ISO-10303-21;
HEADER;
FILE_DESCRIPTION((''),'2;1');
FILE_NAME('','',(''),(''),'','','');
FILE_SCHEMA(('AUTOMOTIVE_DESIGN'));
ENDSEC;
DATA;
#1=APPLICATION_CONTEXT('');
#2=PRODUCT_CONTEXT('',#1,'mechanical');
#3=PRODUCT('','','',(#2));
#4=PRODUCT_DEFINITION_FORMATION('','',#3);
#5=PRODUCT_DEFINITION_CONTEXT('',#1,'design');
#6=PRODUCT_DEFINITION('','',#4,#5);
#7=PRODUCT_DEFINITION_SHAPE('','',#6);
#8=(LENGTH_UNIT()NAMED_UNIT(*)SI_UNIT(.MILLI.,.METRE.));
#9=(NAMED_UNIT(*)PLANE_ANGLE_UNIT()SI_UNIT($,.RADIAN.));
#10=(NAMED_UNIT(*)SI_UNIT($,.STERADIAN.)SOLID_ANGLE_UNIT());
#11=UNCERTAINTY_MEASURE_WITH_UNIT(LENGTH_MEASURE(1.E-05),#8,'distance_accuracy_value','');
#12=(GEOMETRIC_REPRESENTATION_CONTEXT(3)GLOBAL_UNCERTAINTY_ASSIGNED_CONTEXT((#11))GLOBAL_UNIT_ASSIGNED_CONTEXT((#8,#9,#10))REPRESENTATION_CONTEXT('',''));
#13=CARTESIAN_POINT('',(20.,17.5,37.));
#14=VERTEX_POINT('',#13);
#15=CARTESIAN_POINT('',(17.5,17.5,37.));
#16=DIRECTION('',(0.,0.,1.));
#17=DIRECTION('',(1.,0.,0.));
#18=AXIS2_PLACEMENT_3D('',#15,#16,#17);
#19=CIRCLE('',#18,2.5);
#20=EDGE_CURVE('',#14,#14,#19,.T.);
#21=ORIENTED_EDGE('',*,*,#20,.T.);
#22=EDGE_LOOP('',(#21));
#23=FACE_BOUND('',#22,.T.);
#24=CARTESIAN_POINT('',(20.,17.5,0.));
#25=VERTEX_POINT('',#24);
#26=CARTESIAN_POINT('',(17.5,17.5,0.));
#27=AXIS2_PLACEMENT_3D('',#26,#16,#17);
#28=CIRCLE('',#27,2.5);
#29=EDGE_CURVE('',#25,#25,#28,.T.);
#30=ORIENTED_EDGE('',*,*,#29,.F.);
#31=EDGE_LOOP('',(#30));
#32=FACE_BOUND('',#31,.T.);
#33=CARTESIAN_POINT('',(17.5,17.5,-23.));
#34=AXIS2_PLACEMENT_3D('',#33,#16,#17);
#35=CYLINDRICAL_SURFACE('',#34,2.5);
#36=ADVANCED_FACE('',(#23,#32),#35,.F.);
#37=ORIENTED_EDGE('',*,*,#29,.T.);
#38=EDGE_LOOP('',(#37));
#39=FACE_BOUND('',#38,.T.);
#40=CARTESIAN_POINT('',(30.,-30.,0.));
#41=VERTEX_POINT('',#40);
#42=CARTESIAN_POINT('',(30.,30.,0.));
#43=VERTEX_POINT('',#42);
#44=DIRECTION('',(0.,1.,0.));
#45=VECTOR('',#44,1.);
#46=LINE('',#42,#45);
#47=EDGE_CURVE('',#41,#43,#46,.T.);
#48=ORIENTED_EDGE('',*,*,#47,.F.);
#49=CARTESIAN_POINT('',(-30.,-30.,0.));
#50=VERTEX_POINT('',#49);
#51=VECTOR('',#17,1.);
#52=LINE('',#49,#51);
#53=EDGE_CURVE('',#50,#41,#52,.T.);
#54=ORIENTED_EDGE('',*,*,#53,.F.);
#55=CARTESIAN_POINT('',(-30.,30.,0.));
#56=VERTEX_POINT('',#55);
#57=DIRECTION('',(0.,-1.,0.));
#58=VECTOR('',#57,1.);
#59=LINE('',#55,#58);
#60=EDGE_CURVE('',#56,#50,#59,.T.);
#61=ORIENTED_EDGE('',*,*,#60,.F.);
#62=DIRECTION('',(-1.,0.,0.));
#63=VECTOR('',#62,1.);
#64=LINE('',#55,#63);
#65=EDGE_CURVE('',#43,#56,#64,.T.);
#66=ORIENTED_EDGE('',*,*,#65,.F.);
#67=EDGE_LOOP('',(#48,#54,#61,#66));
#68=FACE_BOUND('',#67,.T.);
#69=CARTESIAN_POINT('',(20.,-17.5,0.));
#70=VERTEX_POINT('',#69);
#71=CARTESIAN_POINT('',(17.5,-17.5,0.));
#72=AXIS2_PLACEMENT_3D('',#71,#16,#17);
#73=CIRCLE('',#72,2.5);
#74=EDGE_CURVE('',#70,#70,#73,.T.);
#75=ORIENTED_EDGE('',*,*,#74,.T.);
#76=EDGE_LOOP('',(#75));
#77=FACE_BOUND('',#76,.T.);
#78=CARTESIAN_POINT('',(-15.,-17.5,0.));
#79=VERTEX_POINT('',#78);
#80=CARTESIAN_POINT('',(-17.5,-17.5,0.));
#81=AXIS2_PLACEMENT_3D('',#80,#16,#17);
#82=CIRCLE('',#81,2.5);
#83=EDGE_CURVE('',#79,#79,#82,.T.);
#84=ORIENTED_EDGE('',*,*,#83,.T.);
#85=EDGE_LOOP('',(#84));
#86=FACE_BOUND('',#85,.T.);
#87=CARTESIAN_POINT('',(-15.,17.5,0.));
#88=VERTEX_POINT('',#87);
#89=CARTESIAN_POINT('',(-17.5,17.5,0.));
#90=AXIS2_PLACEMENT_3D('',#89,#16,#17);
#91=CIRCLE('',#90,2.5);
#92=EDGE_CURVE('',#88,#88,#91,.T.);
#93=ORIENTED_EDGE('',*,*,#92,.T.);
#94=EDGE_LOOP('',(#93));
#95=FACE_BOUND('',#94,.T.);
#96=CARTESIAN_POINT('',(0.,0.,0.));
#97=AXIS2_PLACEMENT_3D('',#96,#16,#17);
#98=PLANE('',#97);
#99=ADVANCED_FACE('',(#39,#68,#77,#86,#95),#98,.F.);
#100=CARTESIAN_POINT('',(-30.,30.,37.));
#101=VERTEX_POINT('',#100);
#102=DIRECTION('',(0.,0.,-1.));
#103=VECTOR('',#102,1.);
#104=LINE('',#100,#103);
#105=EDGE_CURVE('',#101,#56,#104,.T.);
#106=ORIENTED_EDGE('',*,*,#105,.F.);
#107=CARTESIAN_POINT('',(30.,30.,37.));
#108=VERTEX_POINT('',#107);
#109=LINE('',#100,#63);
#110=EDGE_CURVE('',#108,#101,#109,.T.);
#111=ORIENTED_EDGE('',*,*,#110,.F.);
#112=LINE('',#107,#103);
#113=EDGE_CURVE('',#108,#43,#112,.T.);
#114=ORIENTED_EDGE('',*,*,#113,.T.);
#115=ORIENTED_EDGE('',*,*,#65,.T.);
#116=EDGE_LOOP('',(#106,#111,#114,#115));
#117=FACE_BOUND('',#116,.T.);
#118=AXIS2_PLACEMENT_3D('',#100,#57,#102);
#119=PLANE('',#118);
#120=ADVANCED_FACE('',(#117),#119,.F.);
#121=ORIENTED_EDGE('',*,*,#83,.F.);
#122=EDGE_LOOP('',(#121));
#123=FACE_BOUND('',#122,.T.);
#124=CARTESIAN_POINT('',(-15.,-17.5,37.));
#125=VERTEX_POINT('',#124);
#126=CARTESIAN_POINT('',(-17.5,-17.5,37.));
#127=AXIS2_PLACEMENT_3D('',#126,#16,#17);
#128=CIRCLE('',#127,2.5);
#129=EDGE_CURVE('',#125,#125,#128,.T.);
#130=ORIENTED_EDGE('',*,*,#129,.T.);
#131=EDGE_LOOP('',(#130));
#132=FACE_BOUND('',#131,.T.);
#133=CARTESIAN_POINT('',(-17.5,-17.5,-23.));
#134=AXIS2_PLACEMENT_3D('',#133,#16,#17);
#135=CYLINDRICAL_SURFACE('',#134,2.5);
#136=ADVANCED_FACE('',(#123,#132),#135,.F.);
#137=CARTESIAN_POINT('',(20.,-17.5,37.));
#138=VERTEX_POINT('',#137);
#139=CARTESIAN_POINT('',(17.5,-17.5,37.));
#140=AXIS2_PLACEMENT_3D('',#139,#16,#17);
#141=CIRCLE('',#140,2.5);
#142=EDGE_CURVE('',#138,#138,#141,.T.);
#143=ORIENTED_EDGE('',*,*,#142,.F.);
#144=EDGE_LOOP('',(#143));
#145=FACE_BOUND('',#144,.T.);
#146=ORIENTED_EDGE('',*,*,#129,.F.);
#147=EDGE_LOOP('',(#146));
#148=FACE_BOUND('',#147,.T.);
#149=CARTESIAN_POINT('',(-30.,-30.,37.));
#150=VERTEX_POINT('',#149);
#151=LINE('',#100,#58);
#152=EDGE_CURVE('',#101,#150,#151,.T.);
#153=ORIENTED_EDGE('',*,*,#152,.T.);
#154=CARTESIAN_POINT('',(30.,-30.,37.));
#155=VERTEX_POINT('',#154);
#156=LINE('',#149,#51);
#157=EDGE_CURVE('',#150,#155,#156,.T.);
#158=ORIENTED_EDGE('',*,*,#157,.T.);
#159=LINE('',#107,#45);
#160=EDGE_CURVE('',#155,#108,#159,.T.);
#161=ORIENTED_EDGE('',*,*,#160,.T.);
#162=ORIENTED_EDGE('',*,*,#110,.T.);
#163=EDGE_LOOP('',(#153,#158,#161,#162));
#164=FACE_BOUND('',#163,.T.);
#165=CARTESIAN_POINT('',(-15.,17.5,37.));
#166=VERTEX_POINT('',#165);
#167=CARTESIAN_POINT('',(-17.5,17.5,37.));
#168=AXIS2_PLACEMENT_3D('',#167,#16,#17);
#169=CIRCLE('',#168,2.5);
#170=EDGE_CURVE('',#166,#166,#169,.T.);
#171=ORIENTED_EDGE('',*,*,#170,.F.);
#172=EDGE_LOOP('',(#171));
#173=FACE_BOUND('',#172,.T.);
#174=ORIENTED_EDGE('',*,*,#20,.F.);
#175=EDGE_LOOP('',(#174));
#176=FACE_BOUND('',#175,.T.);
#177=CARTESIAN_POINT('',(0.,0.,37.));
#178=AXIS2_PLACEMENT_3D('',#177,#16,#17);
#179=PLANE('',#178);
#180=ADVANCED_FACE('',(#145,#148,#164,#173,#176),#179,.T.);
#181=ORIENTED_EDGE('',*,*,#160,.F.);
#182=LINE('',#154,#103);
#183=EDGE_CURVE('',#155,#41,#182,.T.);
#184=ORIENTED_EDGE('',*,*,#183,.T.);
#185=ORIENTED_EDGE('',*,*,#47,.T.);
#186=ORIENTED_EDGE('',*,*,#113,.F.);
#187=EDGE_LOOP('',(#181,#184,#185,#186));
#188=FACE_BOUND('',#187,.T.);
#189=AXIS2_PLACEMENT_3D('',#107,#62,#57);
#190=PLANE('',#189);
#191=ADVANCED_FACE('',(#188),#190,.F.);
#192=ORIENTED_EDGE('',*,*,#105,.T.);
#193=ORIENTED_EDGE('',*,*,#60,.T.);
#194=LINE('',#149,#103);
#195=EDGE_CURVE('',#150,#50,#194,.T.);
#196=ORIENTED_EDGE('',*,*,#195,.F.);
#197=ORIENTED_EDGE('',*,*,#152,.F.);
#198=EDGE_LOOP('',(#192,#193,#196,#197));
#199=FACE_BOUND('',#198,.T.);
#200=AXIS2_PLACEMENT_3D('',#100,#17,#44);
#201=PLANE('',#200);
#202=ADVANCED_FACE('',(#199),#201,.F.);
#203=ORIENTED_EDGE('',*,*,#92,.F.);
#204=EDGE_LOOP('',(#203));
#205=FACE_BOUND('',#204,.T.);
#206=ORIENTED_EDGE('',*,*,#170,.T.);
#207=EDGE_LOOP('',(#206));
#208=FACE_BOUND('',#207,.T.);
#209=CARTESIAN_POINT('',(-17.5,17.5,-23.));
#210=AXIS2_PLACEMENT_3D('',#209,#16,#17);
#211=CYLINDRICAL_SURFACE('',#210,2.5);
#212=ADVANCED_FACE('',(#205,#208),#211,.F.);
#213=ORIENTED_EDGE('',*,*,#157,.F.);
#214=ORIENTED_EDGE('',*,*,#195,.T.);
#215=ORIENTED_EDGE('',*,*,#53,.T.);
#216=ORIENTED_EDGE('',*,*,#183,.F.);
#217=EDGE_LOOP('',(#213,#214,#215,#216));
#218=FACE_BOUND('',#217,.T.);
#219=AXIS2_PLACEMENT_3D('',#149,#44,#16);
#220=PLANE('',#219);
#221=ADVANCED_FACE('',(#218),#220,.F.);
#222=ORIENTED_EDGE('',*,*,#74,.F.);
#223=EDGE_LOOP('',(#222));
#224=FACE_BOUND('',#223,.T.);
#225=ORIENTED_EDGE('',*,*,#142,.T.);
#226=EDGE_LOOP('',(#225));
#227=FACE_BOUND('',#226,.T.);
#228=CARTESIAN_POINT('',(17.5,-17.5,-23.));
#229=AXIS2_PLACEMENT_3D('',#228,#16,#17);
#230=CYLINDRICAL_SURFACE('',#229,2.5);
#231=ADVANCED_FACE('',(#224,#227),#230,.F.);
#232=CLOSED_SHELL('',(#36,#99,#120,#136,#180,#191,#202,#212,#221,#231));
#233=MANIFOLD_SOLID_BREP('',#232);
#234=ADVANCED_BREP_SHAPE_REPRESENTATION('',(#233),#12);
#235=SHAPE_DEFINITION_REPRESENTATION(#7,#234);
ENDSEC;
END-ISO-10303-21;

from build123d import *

# Parameters (mm, degrees)
SKETCH1_W           = 60
SKETCH1_H           = 60
BOSS_EXTRUDE1_DEPTH = 37
SKETCH2_R           = 2.5
CUT_EXTRUDE1_DEPTH  = 60


with BuildPart() as part:
    # Sketch1 → Boss-Extrude1 (new body)
    with BuildSketch(Plane.XY):
        Rectangle(SKETCH1_W, SKETCH1_H)
    extrude(amount=BOSS_EXTRUDE1_DEPTH)

    # Sketch2 → Cut-Extrude1 (cut)
    with BuildSketch(Plane.XY.offset(37)):
        with Locations((-17.5, 17.5)):
            Circle(SKETCH2_R)
        with Locations((17.5, 17.5)):
            Circle(SKETCH2_R)
        with Locations((17.5, -17.5)):
            Circle(SKETCH2_R)
        with Locations((-17.5, -17.5)):
            Circle(SKETCH2_R)
    extrude(amount=-CUT_EXTRUDE1_DEPTH, mode=Mode.SUBTRACT)


solid = part.part
